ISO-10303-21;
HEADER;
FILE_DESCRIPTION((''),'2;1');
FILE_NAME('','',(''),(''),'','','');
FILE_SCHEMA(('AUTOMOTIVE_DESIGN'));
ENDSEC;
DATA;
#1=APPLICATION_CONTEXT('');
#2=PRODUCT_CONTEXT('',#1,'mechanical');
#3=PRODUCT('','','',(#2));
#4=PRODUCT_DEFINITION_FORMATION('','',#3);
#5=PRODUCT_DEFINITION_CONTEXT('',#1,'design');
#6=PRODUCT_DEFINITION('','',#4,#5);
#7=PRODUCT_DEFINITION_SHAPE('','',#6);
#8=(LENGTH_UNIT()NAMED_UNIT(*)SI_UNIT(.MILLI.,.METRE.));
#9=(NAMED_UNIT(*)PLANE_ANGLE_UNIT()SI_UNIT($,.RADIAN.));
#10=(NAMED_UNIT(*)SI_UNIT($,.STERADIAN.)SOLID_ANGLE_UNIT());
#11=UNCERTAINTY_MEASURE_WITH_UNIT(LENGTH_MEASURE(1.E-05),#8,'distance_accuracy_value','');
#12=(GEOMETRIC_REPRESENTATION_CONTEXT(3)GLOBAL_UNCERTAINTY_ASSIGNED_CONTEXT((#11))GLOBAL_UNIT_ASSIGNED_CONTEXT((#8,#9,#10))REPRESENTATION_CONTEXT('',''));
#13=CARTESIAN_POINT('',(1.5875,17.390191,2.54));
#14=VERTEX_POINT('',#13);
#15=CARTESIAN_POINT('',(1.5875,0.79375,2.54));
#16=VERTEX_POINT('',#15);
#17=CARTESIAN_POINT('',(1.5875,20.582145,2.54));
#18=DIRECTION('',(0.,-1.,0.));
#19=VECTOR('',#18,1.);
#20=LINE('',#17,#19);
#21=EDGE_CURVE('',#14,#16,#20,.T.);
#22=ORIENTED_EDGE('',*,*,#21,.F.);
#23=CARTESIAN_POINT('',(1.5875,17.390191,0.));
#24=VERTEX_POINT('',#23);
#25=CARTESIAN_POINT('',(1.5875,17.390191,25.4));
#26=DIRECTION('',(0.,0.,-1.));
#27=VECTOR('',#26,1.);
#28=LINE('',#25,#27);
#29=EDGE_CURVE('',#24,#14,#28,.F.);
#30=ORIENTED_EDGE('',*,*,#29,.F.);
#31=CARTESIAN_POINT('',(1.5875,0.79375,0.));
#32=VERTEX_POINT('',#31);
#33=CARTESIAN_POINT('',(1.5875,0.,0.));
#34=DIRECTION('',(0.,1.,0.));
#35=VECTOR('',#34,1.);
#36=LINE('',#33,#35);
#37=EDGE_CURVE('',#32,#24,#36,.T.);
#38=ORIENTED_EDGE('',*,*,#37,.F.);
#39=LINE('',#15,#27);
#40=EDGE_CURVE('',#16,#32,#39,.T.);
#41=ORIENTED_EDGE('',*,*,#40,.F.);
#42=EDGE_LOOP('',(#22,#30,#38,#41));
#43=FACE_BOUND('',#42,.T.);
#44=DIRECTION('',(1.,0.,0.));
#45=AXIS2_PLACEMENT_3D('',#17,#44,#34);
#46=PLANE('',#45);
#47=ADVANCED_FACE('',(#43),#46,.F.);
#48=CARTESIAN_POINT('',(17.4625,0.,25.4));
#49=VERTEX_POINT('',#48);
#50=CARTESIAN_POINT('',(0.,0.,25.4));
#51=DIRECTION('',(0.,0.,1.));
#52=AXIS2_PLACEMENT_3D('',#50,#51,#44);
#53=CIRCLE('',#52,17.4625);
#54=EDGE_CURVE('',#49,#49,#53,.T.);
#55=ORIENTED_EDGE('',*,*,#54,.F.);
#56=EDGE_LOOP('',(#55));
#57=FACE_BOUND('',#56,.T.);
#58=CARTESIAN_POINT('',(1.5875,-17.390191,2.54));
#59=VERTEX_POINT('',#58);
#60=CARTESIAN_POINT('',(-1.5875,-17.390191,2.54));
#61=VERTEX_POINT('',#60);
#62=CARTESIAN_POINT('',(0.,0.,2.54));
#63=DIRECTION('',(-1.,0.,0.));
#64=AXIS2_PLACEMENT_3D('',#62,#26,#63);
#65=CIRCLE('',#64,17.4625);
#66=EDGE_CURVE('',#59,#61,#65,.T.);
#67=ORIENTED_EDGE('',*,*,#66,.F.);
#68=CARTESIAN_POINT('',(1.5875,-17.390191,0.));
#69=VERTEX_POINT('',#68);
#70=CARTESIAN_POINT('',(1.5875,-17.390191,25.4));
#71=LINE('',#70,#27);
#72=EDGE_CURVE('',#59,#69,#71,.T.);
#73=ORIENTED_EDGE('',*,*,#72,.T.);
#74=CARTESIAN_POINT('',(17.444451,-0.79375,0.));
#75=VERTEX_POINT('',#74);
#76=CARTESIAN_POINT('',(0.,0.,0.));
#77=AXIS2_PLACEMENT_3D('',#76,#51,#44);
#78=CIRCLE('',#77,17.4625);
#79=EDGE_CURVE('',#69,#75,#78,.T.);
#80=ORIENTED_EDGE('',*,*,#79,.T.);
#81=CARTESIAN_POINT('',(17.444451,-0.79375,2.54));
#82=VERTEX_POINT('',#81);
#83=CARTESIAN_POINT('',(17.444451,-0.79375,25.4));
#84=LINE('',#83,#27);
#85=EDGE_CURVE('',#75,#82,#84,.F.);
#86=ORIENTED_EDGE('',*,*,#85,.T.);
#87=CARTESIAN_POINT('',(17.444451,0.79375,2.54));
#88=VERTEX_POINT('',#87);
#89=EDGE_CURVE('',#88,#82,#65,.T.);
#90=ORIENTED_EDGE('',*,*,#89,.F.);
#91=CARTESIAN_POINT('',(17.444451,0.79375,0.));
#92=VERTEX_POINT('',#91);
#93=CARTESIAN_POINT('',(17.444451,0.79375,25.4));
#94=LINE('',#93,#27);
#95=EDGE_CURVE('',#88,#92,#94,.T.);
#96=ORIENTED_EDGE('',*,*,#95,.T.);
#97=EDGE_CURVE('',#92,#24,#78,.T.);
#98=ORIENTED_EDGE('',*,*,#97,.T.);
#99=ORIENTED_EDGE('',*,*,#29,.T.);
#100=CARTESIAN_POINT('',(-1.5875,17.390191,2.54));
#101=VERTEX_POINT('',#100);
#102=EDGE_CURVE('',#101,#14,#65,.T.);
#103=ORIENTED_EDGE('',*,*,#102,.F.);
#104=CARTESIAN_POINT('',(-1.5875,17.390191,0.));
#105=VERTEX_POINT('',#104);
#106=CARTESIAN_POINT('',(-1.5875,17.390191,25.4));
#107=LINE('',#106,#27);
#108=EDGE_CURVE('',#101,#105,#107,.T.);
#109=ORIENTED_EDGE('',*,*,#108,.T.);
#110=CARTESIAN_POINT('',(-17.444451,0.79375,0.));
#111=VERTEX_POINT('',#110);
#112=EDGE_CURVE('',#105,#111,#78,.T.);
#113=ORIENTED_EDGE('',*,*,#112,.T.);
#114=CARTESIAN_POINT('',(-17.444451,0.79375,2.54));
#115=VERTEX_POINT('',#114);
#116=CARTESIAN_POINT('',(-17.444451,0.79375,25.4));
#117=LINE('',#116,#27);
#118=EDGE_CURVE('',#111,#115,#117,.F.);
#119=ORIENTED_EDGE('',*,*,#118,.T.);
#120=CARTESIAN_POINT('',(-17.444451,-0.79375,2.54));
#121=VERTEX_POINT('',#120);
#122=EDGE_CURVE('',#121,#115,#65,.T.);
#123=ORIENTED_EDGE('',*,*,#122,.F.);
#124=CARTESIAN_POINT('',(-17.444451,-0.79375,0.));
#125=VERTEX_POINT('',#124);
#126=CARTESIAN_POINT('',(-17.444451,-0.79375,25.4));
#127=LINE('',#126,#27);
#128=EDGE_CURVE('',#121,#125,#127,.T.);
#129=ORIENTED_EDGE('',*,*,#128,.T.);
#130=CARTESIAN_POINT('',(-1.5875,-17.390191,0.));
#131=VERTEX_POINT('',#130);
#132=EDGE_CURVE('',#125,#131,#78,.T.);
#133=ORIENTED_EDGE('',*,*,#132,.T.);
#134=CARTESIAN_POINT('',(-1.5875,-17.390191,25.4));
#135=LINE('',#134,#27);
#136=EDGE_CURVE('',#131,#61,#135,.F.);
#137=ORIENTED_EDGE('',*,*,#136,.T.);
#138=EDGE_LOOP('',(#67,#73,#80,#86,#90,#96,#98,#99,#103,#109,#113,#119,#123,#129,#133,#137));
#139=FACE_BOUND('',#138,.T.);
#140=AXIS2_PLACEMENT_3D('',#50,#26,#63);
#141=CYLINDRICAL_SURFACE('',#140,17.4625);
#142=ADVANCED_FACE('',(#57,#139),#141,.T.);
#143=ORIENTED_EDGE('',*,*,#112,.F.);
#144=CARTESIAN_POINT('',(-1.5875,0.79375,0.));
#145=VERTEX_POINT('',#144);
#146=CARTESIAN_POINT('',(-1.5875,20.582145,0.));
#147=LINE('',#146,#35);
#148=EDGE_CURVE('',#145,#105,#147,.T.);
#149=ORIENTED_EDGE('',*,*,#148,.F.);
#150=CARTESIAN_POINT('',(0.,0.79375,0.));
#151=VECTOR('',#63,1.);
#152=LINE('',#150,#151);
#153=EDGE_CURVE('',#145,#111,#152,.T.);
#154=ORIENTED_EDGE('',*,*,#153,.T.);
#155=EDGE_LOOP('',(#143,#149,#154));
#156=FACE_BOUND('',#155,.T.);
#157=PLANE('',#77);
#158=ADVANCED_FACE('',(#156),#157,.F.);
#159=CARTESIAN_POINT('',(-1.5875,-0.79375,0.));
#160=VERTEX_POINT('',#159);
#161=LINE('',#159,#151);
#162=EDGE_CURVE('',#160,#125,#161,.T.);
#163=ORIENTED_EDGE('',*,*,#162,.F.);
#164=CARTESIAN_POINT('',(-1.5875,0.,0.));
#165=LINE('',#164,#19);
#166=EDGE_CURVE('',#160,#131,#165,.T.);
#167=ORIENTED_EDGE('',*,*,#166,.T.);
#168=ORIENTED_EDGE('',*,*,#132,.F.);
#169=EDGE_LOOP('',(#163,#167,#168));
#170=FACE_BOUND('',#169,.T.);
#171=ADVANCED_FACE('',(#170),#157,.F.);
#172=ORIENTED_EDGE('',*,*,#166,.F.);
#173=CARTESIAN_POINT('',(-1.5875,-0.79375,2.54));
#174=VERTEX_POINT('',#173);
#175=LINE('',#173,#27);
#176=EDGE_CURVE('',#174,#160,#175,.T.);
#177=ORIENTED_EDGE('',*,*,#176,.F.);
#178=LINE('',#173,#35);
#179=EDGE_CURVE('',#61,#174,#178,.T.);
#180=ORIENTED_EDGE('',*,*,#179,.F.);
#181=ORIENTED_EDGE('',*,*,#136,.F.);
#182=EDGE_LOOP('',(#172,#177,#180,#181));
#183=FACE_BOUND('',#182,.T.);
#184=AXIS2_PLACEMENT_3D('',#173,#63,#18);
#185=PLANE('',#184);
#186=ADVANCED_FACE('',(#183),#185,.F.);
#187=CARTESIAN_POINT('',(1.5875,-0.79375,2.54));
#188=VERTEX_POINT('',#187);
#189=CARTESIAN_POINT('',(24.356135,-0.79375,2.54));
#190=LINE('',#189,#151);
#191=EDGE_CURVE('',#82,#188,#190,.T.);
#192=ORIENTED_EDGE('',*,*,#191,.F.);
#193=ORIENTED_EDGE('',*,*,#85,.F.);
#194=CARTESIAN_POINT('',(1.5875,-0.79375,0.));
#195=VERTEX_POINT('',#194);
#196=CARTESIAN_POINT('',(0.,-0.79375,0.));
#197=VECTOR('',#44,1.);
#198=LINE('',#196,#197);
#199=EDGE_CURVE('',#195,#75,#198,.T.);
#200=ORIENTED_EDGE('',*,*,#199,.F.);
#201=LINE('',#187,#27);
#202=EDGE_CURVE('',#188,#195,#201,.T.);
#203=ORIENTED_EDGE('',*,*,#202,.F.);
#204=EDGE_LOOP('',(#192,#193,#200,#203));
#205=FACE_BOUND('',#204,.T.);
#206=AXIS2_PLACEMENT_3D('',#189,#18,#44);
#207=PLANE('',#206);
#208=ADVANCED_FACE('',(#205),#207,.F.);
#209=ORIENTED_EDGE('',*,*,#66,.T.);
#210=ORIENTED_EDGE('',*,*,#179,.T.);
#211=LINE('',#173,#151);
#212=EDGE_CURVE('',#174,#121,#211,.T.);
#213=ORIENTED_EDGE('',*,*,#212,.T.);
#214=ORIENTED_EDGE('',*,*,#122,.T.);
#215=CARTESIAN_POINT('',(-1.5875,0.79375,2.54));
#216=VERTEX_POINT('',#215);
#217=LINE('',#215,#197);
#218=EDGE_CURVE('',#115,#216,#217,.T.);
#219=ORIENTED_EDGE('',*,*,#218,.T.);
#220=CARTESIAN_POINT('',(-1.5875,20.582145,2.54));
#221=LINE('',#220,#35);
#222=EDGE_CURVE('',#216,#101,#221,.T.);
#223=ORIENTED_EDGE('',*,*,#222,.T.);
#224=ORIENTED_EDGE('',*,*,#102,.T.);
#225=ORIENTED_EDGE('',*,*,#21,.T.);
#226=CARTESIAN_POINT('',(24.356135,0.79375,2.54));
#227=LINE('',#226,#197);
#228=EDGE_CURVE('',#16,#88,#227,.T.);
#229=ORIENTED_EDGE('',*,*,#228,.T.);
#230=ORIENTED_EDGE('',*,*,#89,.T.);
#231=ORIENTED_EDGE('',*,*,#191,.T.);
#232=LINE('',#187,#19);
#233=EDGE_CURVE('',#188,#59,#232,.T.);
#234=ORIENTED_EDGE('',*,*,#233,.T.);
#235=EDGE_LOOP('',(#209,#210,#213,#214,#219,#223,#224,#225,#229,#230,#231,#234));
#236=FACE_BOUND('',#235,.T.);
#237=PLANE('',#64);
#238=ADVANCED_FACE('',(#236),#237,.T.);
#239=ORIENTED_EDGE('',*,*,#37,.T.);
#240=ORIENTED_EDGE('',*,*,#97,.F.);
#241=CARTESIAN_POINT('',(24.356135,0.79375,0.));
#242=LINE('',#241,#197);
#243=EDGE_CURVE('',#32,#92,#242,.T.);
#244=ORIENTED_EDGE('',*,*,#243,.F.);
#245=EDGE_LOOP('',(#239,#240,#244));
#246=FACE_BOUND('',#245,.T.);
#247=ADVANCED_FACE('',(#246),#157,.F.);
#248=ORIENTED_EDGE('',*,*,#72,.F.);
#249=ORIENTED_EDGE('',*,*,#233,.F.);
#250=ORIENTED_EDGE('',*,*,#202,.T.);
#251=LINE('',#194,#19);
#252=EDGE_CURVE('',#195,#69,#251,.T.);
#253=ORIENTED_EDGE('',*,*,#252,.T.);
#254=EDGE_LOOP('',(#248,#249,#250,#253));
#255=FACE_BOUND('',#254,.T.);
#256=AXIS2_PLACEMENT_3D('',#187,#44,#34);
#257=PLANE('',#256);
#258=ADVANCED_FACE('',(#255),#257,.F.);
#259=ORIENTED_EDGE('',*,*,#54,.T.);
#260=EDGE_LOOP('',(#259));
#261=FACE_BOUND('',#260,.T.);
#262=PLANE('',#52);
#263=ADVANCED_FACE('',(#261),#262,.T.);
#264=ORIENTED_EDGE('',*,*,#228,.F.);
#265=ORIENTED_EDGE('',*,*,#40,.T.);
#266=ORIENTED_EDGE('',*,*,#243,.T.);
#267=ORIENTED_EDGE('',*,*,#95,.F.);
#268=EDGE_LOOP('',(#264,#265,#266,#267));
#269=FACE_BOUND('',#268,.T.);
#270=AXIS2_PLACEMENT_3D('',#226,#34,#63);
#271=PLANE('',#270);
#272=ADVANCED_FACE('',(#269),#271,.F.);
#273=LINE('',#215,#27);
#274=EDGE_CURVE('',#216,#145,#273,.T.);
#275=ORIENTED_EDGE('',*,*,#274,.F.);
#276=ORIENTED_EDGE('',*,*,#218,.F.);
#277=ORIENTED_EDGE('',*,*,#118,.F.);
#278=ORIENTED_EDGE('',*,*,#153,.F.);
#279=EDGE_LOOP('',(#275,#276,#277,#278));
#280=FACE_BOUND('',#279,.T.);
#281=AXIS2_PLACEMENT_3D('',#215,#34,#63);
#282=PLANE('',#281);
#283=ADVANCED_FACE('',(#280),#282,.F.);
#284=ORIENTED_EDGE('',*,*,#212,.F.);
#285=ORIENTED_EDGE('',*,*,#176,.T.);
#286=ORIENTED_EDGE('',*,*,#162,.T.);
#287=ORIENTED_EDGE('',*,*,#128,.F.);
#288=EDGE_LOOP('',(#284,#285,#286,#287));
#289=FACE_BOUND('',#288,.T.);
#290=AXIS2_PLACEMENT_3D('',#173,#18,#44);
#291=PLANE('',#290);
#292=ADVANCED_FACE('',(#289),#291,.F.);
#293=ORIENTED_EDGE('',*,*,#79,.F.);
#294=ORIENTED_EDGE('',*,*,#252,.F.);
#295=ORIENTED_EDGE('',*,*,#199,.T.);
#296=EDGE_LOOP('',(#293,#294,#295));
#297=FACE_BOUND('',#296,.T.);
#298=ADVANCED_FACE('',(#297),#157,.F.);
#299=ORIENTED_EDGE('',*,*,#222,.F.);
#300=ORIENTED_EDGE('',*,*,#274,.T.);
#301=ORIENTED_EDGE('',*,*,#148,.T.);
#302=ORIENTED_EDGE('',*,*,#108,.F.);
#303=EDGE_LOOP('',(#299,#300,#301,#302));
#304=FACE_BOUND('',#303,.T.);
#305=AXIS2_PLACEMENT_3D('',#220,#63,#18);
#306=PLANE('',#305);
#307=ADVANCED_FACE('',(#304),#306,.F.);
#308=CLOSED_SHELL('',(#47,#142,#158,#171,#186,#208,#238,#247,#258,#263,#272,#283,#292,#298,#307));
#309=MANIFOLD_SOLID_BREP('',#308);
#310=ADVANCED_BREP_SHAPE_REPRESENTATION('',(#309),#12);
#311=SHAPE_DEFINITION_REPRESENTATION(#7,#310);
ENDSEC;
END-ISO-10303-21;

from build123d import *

# Parameters (mm, degrees)
SKETCH1_R           = 17.4625
BOSS_EXTRUDE1_DEPTH = 25.4
CUT_EXTRUDE1_DEPTH  = 2.54


with BuildPart() as part:
    # Sketch1 → Boss-Extrude1 (new body)
    with BuildSketch(Plane.XY):
        Circle(SKETCH1_R)
    extrude(amount=BOSS_EXTRUDE1_DEPTH)

    # Sketch2 → Cut-Extrude1 (cut)
    with BuildSketch(Plane(origin=(0, 0, 0), x_dir=(-1, 0, 0), z_dir=(0, 0, -1))):
        Polygon((1.5875, 0.79375), (23.225772956, 0.79375), (23.225772956, -0.79375), (1.5875, -0.79375), (1.5875, -19.542370193), (-1.5875, -19.542370193), (-1.5875, -0.79375), (-24.356135007, -0.79375), (-24.356135007, 0.79375), (-1.5875, 0.79375), (-1.5875, 20.58214549), (1.5875, 20.58214549), align=None)
    extrude(amount=-CUT_EXTRUDE1_DEPTH, mode=Mode.SUBTRACT)


solid = part.part
